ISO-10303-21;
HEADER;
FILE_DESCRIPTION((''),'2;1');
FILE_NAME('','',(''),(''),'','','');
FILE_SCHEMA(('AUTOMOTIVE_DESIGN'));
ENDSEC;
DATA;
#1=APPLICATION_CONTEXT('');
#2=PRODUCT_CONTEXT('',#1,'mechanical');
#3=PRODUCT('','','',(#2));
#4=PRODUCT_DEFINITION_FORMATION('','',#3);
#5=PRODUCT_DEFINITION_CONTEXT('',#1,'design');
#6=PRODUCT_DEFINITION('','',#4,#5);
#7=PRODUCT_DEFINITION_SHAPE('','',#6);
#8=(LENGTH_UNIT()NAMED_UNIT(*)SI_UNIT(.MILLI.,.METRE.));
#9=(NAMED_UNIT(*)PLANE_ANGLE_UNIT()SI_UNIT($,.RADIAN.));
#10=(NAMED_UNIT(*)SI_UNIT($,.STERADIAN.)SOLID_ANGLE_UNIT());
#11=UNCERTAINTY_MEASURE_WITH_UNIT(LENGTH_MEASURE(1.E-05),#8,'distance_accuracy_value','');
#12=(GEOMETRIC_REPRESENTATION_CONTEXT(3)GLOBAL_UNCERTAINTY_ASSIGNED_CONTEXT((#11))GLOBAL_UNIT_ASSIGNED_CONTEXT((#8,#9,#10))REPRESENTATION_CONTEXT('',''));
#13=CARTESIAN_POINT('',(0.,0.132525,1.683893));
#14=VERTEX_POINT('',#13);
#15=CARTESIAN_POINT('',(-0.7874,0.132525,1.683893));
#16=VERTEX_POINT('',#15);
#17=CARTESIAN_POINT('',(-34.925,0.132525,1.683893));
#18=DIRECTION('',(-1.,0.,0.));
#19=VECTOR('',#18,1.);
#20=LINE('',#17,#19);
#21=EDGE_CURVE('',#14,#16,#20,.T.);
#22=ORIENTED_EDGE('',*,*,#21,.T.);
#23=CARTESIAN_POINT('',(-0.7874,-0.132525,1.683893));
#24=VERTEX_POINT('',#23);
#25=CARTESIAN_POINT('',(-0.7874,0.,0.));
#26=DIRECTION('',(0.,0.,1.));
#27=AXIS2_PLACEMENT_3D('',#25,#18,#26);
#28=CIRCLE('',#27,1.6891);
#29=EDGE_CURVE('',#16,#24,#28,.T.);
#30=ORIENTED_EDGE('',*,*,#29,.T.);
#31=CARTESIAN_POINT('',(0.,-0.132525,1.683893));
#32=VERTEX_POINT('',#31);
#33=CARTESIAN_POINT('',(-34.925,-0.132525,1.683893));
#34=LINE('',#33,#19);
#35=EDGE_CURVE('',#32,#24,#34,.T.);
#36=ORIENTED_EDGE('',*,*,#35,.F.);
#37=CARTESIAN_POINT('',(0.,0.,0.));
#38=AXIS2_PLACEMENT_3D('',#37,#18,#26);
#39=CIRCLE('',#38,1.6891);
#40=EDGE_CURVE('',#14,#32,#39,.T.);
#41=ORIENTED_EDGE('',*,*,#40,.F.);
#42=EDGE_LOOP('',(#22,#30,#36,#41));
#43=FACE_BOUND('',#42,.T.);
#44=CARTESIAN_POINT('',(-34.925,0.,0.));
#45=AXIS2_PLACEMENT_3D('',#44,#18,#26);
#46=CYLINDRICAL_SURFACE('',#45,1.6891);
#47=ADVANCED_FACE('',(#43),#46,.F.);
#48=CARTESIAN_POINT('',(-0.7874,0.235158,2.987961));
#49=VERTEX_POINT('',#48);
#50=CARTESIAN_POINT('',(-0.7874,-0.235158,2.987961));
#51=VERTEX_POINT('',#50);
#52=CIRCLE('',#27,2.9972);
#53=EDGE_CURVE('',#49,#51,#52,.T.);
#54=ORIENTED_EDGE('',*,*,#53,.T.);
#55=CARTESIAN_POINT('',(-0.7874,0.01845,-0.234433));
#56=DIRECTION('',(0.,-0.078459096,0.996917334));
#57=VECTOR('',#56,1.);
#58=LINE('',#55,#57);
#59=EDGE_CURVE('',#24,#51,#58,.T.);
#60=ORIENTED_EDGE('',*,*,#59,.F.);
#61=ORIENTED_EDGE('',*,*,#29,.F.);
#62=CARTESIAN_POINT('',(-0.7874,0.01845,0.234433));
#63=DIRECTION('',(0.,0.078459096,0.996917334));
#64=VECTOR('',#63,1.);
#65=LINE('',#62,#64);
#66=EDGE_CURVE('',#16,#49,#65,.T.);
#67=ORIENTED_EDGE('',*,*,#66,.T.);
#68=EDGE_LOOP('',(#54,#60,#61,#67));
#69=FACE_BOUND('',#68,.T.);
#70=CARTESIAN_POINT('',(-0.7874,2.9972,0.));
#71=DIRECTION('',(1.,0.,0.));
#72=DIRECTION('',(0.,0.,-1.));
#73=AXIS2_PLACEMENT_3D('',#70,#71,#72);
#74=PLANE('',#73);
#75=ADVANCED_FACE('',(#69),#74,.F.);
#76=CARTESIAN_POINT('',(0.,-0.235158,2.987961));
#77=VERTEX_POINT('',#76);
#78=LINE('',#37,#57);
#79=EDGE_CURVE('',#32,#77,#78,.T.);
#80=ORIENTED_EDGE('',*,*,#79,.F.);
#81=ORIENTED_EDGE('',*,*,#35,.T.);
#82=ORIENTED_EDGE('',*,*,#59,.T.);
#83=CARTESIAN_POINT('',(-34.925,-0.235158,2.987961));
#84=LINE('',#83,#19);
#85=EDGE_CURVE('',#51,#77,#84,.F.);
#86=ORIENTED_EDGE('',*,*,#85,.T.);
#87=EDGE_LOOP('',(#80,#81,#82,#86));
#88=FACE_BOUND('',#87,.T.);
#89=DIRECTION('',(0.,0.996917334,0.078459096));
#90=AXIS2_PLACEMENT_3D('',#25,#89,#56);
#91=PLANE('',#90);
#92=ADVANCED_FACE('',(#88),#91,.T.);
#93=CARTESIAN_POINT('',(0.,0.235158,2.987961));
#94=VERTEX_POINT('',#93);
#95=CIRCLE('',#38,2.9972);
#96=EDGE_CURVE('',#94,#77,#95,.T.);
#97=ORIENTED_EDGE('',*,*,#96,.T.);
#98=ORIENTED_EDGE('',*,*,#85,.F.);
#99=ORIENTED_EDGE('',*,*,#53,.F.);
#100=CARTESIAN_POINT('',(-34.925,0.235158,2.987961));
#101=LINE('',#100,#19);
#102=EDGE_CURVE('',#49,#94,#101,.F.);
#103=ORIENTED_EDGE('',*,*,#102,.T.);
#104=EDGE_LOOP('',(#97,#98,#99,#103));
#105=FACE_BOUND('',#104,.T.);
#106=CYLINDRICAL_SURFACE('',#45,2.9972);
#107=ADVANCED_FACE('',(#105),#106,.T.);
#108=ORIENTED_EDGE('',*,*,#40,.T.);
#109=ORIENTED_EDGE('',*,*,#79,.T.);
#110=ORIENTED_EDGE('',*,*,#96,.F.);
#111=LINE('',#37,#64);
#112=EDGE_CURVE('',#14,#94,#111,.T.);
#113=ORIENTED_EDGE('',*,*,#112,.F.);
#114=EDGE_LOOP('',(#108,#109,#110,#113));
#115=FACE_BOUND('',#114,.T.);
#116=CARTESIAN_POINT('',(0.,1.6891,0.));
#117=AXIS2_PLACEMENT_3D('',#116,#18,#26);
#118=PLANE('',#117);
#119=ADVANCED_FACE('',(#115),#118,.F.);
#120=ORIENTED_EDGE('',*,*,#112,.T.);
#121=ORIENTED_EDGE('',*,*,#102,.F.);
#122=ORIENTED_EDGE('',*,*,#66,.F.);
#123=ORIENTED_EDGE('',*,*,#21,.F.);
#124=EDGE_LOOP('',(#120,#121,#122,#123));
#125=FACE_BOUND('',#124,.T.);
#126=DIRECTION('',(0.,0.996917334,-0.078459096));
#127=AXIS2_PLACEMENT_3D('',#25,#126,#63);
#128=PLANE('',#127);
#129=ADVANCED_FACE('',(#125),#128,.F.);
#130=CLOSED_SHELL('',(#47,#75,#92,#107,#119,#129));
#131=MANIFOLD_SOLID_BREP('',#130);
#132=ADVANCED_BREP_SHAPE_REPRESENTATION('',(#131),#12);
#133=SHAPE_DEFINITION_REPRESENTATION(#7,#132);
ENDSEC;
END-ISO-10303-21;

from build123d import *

# Parameters (mm, degrees)
SKETCH1_W = 0.7874
SKETCH1_H = 1.3081
GAP_DEPTH = 5.311196405


with BuildPart() as part:
    # Sketch1 → Base-Revolve (revolve)
    with BuildSketch(Plane.XY, mode=Mode.PRIVATE) as base_revolve_sk:
        with Locations((-0.3937, 2.34315)):
            Rectangle(SKETCH1_W, SKETCH1_H)
    revolve(base_revolve_sk.sketch.rotate(Axis((-34.925, 0, 0), (1, 0, 0)), 90), axis=Axis((-34.925, 0, 0), (1, 0, 0)))

    # Sketch2 → Gap (cut, through all)
    with BuildSketch(Plane(origin=(0, 0, 0), x_dir=(0, -1, 0), z_dir=(-1, 0, 0))):
        with BuildLine():
            Line((0, 0), (0.239860754, 3.047719845))
            ThreePointArc((0.239860754, 3.047719845), (0, 3.057144), (-0.239860754, 3.047719845))
            Line((-0.239860754, 3.047719845), (0, 0))
        make_face()
    extrude(amount=GAP_DEPTH, mode=Mode.SUBTRACT)


solid = part.part
